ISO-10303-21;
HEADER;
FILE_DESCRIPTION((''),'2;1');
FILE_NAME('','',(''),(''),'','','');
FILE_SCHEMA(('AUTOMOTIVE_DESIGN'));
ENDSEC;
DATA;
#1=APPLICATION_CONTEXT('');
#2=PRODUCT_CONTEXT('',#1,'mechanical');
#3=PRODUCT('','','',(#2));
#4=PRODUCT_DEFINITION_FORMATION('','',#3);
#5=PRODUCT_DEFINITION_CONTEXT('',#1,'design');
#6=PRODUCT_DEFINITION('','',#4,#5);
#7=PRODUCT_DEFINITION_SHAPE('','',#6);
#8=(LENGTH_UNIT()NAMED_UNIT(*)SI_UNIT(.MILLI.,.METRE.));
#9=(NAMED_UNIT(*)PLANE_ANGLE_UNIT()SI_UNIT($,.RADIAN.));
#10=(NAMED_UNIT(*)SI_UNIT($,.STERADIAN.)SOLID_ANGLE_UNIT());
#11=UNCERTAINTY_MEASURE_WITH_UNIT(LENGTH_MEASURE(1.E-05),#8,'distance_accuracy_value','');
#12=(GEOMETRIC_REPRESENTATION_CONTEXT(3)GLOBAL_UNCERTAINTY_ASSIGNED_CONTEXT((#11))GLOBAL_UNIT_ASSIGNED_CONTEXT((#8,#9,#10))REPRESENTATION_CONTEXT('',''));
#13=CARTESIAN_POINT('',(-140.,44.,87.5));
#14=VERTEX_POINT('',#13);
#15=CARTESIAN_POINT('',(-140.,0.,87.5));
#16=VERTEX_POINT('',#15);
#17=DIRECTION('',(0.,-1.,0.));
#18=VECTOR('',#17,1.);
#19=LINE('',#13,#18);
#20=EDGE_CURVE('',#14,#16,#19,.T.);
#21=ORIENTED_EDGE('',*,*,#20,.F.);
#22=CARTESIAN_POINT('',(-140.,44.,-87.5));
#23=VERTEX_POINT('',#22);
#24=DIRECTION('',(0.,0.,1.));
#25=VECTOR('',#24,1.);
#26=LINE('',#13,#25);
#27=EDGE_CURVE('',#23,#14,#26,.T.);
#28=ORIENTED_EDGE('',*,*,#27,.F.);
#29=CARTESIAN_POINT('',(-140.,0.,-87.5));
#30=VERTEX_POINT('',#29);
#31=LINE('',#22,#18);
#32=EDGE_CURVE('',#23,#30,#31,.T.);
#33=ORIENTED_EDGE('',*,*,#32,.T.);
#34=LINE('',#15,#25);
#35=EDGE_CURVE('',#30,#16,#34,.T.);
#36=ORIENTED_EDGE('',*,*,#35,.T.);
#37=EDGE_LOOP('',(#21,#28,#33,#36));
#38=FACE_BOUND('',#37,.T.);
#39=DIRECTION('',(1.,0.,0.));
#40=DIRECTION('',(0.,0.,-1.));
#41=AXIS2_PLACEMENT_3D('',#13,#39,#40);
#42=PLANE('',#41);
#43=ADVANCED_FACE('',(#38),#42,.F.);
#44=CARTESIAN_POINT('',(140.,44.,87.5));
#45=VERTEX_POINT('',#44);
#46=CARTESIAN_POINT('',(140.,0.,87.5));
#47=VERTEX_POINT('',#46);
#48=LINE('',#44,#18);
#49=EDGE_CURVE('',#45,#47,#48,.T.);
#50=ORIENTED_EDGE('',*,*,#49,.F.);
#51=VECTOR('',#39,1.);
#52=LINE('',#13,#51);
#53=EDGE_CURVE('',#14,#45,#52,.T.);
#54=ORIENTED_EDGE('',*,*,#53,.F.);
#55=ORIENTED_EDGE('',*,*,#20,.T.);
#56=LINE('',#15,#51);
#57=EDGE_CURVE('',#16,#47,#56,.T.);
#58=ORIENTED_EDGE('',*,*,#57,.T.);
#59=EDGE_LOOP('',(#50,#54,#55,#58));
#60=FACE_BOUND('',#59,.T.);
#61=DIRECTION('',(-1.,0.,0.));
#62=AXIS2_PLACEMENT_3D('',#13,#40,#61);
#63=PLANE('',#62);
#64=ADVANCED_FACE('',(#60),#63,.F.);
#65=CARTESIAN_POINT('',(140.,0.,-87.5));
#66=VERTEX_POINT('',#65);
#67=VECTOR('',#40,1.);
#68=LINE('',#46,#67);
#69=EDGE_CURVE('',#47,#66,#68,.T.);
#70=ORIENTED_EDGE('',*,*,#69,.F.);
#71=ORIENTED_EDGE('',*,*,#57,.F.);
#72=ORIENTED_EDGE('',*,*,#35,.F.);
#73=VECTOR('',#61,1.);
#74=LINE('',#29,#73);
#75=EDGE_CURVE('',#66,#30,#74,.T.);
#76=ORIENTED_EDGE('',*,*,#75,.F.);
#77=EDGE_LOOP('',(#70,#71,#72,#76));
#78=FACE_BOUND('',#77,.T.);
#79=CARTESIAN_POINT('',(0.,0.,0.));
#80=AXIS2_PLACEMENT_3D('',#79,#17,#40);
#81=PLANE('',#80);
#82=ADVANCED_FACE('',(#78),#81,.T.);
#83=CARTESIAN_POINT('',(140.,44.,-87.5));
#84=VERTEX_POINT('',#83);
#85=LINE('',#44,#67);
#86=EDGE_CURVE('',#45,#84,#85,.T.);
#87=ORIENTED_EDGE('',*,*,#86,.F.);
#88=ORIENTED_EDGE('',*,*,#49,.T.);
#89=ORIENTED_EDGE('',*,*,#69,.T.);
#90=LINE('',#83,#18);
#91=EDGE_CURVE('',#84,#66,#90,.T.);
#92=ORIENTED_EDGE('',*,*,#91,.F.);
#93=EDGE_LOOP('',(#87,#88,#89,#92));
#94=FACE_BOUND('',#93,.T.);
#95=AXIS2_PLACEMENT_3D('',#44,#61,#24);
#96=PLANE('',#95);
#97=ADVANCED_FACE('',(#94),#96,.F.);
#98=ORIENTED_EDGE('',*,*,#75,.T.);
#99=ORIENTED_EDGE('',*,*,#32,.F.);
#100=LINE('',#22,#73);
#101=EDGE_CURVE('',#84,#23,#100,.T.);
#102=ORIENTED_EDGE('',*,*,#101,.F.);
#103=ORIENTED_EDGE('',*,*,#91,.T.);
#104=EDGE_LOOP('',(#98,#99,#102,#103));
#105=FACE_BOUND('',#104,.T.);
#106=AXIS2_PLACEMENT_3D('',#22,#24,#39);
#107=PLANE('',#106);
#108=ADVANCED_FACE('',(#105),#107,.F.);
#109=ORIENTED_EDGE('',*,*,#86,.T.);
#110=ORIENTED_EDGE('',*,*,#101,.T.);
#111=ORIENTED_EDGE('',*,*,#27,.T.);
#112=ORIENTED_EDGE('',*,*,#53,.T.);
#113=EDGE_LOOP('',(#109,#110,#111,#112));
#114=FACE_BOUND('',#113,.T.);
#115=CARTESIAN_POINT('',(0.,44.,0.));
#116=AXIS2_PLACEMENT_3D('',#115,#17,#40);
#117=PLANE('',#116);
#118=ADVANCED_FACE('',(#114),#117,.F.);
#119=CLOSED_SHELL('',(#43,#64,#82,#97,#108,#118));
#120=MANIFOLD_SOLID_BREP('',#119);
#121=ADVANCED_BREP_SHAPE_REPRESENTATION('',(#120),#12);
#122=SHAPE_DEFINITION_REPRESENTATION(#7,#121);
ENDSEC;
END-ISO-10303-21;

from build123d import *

# Parameters (mm, degrees)
SKIZZE1_W                       = 280
SKIZZE1_H                       = 175
AUFSATZ_LINEAR_AUSTRAGEN1_DEPTH = 44


with BuildPart() as part:
    # Skizze1 → Aufsatz-Linear austragen1 (new body)
    with BuildSketch(Plane(origin=(0, 0, 0), x_dir=(1, 0, 0), z_dir=(0, 1, 0))):
        Rectangle(SKIZZE1_W, SKIZZE1_H)
    extrude(amount=AUFSATZ_LINEAR_AUSTRAGEN1_DEPTH)


solid = part.part
